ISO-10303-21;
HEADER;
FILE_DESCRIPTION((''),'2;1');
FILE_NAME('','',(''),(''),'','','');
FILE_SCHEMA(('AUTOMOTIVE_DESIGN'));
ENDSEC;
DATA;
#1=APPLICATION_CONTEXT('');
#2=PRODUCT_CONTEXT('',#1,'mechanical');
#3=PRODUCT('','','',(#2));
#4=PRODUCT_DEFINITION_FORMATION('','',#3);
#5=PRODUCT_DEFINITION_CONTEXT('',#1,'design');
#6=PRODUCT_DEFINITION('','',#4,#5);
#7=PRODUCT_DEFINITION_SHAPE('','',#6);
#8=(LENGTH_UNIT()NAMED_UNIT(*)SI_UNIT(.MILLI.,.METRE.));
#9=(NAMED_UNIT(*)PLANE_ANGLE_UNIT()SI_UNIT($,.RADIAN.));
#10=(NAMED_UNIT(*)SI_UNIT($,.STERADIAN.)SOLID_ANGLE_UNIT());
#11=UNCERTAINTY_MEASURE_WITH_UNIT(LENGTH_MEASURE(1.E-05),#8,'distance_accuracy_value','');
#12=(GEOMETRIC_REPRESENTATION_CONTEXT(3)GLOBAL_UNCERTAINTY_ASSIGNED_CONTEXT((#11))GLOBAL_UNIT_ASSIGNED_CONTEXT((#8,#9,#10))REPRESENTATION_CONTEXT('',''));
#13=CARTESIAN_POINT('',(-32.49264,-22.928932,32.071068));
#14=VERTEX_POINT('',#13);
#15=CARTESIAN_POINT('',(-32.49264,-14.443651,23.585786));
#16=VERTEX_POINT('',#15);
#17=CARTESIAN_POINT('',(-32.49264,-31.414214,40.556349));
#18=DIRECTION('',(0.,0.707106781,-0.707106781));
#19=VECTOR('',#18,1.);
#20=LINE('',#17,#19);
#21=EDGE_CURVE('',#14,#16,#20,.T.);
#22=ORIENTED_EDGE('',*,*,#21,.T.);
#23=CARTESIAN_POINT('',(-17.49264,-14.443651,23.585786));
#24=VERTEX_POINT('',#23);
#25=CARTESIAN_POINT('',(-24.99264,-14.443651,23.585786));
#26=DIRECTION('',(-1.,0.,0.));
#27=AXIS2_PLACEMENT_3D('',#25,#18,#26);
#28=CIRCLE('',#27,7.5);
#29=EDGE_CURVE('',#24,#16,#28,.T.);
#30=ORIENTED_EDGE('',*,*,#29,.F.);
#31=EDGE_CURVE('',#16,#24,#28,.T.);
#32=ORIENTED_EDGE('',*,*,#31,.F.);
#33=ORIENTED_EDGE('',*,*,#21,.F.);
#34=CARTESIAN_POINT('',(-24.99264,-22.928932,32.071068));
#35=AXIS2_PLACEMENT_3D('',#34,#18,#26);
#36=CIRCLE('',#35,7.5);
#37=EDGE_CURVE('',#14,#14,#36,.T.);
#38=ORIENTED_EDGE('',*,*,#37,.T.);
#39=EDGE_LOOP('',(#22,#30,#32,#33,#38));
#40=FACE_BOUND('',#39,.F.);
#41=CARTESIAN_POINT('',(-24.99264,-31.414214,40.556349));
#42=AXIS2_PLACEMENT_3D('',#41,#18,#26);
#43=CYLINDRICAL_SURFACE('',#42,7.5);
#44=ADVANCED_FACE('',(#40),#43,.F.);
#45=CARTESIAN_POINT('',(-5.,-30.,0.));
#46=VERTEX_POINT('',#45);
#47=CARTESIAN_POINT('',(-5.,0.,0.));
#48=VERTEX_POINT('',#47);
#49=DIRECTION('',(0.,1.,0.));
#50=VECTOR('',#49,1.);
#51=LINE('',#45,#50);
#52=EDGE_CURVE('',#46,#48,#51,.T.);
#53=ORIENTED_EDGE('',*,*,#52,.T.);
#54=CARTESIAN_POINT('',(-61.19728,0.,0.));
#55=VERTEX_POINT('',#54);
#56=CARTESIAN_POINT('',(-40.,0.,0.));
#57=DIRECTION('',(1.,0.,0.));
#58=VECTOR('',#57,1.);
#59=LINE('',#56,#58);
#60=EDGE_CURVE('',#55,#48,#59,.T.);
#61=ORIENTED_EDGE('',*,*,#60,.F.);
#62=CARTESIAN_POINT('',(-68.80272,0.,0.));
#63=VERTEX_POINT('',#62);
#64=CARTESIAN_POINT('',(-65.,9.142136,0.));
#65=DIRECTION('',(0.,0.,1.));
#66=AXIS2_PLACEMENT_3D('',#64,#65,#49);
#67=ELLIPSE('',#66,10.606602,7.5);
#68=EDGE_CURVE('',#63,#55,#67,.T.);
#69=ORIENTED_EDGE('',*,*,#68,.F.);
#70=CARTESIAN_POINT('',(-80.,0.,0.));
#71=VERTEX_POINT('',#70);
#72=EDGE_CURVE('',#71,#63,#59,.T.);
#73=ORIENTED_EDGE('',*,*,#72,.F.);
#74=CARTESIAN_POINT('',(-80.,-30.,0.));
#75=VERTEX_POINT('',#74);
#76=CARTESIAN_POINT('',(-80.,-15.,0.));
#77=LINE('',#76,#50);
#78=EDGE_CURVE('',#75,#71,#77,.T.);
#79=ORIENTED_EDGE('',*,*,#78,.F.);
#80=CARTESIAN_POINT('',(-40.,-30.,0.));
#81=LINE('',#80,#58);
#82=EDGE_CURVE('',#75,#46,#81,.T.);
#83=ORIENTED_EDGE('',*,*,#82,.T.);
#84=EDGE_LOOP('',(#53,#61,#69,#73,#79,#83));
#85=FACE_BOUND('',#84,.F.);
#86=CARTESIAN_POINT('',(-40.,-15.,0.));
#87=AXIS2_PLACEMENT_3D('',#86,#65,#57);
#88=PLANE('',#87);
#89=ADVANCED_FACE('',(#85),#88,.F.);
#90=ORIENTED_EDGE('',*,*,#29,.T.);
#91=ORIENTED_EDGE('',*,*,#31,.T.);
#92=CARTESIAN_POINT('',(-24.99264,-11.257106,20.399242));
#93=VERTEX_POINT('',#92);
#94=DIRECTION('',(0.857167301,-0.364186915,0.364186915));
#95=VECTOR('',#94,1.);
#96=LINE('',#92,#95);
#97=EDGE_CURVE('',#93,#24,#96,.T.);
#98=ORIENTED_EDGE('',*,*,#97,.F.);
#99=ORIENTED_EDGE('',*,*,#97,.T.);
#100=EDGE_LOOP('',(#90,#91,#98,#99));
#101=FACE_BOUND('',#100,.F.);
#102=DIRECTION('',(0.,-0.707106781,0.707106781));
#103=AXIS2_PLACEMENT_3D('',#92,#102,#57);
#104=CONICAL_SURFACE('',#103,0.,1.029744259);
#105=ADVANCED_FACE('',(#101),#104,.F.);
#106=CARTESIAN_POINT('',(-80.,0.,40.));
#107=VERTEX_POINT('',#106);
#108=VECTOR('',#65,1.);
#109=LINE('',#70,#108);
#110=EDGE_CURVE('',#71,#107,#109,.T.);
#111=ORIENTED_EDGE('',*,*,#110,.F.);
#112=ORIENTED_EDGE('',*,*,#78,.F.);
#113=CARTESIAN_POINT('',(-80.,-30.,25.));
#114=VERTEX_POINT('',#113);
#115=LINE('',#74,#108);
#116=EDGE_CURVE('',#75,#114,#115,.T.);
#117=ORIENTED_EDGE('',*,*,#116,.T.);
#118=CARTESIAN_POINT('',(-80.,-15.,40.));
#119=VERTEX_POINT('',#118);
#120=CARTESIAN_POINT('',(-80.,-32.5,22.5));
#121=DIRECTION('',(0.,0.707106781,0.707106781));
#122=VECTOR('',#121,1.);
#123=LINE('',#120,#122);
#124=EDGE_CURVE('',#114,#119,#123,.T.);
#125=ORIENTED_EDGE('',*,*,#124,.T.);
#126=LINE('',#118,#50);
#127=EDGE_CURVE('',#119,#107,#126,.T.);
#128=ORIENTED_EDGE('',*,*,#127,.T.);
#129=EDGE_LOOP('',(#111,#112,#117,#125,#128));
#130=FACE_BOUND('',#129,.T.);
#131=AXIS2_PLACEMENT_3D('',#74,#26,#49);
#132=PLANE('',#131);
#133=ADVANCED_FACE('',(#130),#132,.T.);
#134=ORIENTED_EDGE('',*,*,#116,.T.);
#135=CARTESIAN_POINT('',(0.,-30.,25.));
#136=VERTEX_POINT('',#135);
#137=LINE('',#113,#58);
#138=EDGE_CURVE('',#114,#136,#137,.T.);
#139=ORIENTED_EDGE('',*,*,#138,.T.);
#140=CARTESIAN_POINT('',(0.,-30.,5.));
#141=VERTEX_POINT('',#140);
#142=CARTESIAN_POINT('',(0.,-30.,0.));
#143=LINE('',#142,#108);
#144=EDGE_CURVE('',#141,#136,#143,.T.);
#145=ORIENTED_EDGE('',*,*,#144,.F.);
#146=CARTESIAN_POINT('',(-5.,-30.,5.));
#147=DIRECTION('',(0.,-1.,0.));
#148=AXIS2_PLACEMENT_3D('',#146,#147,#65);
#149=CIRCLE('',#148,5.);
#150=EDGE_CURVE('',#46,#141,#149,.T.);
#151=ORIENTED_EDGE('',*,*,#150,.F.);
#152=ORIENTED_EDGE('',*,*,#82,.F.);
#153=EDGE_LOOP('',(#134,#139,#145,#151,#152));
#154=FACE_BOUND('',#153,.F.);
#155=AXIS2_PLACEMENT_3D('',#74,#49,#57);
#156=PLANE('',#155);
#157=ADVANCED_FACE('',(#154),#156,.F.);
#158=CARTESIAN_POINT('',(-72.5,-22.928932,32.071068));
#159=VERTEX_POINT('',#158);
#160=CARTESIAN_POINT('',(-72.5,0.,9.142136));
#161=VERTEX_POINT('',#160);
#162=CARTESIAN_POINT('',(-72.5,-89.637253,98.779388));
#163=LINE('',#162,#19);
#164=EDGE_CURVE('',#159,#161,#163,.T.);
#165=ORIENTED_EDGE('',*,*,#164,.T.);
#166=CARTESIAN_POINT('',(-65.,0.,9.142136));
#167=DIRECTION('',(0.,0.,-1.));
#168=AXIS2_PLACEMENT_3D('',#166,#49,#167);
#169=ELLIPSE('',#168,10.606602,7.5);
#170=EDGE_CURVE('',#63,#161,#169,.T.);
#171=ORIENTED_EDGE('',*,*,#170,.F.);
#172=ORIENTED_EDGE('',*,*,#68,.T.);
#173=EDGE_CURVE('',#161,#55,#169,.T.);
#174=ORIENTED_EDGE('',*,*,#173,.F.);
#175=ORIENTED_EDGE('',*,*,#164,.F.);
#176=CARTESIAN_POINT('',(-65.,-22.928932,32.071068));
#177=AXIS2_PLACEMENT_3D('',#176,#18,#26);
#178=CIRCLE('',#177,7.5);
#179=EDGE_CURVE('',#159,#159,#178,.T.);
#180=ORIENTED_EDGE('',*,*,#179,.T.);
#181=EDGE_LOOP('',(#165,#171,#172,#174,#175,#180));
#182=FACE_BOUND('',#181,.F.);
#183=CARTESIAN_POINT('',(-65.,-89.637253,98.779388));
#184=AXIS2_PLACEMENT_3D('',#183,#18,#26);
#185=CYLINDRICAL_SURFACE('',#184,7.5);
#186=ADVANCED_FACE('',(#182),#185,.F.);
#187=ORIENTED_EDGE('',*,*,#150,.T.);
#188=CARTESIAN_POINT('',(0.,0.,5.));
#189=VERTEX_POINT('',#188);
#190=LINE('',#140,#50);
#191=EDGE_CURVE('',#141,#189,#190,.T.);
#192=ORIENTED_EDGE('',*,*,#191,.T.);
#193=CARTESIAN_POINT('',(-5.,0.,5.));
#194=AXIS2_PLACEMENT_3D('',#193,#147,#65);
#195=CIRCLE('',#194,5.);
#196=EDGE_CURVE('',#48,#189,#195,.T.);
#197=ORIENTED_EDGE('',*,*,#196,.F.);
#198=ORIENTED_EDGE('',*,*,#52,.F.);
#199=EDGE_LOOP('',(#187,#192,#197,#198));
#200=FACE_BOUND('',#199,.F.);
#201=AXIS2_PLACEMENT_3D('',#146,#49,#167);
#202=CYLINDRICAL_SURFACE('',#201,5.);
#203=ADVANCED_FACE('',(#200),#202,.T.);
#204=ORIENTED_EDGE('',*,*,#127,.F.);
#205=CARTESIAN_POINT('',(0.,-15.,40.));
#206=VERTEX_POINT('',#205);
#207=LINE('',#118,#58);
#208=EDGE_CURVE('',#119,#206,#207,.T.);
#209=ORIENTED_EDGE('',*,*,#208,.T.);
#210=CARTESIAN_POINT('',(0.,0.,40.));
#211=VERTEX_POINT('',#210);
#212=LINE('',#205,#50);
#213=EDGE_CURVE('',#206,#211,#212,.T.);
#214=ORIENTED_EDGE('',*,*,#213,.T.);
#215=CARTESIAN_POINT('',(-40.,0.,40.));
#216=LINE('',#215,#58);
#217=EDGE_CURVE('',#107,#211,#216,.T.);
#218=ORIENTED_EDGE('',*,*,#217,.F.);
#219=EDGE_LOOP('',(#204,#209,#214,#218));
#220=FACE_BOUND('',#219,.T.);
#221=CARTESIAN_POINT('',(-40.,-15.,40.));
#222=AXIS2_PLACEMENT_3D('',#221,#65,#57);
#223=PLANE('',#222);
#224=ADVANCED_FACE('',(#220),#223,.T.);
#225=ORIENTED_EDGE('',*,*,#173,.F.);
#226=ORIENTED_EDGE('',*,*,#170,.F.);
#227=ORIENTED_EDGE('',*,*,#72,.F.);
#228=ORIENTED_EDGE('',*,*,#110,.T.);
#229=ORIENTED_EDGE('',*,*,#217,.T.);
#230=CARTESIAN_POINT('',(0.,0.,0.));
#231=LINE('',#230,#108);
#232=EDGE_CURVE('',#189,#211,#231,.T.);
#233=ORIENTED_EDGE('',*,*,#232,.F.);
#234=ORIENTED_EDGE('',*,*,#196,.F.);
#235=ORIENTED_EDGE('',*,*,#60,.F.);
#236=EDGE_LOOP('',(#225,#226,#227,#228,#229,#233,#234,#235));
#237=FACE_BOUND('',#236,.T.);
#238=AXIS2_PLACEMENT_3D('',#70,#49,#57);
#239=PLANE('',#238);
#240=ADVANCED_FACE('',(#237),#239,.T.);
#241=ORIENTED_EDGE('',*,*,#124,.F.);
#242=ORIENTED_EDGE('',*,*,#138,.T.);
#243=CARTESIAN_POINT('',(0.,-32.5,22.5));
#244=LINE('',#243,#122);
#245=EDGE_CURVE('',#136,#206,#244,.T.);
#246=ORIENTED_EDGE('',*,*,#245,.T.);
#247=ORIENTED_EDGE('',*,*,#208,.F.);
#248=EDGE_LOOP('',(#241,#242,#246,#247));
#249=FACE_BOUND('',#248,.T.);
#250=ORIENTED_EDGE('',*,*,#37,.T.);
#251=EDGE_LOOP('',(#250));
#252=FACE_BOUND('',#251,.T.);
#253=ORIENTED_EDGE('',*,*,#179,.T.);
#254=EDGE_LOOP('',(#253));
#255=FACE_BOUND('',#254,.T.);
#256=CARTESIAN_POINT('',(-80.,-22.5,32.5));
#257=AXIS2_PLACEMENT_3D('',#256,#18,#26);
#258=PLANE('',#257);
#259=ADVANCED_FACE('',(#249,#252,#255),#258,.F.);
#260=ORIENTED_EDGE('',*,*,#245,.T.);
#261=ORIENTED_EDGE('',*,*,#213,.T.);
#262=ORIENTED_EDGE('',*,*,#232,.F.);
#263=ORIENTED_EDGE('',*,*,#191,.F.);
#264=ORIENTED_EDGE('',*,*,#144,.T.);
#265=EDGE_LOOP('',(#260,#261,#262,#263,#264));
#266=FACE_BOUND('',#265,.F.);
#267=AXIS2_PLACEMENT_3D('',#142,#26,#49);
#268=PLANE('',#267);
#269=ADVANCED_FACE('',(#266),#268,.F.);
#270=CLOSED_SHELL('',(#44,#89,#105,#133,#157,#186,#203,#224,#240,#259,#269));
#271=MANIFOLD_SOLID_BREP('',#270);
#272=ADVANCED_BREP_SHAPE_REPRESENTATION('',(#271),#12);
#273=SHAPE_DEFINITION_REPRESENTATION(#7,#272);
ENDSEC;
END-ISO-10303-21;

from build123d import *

# Parameters (mm, degrees)
F0_W     = 80
F0_H     = 30
F1_DEPTH = 40
F2_SIZE  = 15
F4_D     = 15
F6_D     = 15
F6_DEPTH = 12
F6_TIP   = 4.5064546427
F7_R     = 5


with BuildPart() as f1:
    # F0 (on Top) → F1 (new body)
    with BuildSketch(Plane.XY):
        with Locations((-40, -15)):
            Rectangle(F0_W, F0_H)
    extrude(amount=F1_DEPTH)

    # F2
    f2_edges = [f1.edges().sort_by_distance(p)[0] for p in [
        (-40, -30, 40),
    ]]
    chamfer(f2_edges, length=F2_SIZE)

    # F4 (through all)
    with Locations(Plane(origin=(0, -27.5, 27.5), x_dir=(1, 0, 0), z_dir=(0, -0.7071067812, 0.7071067812))):
        with Locations((-65, 6.4644660941)):
            Hole(F4_D / 2)

    # F6
    with Locations(Plane(origin=(0, -27.5, 27.5), x_dir=(1, 0, 0), z_dir=(0, -0.7071067812, 0.7071067812))):
        with Locations((-24.9926396036, 6.4644660941)):
            Hole(F6_D / 2, depth=F6_DEPTH)
            with Locations((0, 0, -(F6_DEPTH + F6_TIP / 2))):  # 118° drill point
                Cone(0, F6_D / 2, F6_TIP, mode=Mode.SUBTRACT)

    # F7
    f7_edges = [f1.edges().sort_by_distance(p)[0] for p in [
        (0, -15, 0),
    ]]
    fillet(f7_edges, radius=F7_R)


solid = f1.part
